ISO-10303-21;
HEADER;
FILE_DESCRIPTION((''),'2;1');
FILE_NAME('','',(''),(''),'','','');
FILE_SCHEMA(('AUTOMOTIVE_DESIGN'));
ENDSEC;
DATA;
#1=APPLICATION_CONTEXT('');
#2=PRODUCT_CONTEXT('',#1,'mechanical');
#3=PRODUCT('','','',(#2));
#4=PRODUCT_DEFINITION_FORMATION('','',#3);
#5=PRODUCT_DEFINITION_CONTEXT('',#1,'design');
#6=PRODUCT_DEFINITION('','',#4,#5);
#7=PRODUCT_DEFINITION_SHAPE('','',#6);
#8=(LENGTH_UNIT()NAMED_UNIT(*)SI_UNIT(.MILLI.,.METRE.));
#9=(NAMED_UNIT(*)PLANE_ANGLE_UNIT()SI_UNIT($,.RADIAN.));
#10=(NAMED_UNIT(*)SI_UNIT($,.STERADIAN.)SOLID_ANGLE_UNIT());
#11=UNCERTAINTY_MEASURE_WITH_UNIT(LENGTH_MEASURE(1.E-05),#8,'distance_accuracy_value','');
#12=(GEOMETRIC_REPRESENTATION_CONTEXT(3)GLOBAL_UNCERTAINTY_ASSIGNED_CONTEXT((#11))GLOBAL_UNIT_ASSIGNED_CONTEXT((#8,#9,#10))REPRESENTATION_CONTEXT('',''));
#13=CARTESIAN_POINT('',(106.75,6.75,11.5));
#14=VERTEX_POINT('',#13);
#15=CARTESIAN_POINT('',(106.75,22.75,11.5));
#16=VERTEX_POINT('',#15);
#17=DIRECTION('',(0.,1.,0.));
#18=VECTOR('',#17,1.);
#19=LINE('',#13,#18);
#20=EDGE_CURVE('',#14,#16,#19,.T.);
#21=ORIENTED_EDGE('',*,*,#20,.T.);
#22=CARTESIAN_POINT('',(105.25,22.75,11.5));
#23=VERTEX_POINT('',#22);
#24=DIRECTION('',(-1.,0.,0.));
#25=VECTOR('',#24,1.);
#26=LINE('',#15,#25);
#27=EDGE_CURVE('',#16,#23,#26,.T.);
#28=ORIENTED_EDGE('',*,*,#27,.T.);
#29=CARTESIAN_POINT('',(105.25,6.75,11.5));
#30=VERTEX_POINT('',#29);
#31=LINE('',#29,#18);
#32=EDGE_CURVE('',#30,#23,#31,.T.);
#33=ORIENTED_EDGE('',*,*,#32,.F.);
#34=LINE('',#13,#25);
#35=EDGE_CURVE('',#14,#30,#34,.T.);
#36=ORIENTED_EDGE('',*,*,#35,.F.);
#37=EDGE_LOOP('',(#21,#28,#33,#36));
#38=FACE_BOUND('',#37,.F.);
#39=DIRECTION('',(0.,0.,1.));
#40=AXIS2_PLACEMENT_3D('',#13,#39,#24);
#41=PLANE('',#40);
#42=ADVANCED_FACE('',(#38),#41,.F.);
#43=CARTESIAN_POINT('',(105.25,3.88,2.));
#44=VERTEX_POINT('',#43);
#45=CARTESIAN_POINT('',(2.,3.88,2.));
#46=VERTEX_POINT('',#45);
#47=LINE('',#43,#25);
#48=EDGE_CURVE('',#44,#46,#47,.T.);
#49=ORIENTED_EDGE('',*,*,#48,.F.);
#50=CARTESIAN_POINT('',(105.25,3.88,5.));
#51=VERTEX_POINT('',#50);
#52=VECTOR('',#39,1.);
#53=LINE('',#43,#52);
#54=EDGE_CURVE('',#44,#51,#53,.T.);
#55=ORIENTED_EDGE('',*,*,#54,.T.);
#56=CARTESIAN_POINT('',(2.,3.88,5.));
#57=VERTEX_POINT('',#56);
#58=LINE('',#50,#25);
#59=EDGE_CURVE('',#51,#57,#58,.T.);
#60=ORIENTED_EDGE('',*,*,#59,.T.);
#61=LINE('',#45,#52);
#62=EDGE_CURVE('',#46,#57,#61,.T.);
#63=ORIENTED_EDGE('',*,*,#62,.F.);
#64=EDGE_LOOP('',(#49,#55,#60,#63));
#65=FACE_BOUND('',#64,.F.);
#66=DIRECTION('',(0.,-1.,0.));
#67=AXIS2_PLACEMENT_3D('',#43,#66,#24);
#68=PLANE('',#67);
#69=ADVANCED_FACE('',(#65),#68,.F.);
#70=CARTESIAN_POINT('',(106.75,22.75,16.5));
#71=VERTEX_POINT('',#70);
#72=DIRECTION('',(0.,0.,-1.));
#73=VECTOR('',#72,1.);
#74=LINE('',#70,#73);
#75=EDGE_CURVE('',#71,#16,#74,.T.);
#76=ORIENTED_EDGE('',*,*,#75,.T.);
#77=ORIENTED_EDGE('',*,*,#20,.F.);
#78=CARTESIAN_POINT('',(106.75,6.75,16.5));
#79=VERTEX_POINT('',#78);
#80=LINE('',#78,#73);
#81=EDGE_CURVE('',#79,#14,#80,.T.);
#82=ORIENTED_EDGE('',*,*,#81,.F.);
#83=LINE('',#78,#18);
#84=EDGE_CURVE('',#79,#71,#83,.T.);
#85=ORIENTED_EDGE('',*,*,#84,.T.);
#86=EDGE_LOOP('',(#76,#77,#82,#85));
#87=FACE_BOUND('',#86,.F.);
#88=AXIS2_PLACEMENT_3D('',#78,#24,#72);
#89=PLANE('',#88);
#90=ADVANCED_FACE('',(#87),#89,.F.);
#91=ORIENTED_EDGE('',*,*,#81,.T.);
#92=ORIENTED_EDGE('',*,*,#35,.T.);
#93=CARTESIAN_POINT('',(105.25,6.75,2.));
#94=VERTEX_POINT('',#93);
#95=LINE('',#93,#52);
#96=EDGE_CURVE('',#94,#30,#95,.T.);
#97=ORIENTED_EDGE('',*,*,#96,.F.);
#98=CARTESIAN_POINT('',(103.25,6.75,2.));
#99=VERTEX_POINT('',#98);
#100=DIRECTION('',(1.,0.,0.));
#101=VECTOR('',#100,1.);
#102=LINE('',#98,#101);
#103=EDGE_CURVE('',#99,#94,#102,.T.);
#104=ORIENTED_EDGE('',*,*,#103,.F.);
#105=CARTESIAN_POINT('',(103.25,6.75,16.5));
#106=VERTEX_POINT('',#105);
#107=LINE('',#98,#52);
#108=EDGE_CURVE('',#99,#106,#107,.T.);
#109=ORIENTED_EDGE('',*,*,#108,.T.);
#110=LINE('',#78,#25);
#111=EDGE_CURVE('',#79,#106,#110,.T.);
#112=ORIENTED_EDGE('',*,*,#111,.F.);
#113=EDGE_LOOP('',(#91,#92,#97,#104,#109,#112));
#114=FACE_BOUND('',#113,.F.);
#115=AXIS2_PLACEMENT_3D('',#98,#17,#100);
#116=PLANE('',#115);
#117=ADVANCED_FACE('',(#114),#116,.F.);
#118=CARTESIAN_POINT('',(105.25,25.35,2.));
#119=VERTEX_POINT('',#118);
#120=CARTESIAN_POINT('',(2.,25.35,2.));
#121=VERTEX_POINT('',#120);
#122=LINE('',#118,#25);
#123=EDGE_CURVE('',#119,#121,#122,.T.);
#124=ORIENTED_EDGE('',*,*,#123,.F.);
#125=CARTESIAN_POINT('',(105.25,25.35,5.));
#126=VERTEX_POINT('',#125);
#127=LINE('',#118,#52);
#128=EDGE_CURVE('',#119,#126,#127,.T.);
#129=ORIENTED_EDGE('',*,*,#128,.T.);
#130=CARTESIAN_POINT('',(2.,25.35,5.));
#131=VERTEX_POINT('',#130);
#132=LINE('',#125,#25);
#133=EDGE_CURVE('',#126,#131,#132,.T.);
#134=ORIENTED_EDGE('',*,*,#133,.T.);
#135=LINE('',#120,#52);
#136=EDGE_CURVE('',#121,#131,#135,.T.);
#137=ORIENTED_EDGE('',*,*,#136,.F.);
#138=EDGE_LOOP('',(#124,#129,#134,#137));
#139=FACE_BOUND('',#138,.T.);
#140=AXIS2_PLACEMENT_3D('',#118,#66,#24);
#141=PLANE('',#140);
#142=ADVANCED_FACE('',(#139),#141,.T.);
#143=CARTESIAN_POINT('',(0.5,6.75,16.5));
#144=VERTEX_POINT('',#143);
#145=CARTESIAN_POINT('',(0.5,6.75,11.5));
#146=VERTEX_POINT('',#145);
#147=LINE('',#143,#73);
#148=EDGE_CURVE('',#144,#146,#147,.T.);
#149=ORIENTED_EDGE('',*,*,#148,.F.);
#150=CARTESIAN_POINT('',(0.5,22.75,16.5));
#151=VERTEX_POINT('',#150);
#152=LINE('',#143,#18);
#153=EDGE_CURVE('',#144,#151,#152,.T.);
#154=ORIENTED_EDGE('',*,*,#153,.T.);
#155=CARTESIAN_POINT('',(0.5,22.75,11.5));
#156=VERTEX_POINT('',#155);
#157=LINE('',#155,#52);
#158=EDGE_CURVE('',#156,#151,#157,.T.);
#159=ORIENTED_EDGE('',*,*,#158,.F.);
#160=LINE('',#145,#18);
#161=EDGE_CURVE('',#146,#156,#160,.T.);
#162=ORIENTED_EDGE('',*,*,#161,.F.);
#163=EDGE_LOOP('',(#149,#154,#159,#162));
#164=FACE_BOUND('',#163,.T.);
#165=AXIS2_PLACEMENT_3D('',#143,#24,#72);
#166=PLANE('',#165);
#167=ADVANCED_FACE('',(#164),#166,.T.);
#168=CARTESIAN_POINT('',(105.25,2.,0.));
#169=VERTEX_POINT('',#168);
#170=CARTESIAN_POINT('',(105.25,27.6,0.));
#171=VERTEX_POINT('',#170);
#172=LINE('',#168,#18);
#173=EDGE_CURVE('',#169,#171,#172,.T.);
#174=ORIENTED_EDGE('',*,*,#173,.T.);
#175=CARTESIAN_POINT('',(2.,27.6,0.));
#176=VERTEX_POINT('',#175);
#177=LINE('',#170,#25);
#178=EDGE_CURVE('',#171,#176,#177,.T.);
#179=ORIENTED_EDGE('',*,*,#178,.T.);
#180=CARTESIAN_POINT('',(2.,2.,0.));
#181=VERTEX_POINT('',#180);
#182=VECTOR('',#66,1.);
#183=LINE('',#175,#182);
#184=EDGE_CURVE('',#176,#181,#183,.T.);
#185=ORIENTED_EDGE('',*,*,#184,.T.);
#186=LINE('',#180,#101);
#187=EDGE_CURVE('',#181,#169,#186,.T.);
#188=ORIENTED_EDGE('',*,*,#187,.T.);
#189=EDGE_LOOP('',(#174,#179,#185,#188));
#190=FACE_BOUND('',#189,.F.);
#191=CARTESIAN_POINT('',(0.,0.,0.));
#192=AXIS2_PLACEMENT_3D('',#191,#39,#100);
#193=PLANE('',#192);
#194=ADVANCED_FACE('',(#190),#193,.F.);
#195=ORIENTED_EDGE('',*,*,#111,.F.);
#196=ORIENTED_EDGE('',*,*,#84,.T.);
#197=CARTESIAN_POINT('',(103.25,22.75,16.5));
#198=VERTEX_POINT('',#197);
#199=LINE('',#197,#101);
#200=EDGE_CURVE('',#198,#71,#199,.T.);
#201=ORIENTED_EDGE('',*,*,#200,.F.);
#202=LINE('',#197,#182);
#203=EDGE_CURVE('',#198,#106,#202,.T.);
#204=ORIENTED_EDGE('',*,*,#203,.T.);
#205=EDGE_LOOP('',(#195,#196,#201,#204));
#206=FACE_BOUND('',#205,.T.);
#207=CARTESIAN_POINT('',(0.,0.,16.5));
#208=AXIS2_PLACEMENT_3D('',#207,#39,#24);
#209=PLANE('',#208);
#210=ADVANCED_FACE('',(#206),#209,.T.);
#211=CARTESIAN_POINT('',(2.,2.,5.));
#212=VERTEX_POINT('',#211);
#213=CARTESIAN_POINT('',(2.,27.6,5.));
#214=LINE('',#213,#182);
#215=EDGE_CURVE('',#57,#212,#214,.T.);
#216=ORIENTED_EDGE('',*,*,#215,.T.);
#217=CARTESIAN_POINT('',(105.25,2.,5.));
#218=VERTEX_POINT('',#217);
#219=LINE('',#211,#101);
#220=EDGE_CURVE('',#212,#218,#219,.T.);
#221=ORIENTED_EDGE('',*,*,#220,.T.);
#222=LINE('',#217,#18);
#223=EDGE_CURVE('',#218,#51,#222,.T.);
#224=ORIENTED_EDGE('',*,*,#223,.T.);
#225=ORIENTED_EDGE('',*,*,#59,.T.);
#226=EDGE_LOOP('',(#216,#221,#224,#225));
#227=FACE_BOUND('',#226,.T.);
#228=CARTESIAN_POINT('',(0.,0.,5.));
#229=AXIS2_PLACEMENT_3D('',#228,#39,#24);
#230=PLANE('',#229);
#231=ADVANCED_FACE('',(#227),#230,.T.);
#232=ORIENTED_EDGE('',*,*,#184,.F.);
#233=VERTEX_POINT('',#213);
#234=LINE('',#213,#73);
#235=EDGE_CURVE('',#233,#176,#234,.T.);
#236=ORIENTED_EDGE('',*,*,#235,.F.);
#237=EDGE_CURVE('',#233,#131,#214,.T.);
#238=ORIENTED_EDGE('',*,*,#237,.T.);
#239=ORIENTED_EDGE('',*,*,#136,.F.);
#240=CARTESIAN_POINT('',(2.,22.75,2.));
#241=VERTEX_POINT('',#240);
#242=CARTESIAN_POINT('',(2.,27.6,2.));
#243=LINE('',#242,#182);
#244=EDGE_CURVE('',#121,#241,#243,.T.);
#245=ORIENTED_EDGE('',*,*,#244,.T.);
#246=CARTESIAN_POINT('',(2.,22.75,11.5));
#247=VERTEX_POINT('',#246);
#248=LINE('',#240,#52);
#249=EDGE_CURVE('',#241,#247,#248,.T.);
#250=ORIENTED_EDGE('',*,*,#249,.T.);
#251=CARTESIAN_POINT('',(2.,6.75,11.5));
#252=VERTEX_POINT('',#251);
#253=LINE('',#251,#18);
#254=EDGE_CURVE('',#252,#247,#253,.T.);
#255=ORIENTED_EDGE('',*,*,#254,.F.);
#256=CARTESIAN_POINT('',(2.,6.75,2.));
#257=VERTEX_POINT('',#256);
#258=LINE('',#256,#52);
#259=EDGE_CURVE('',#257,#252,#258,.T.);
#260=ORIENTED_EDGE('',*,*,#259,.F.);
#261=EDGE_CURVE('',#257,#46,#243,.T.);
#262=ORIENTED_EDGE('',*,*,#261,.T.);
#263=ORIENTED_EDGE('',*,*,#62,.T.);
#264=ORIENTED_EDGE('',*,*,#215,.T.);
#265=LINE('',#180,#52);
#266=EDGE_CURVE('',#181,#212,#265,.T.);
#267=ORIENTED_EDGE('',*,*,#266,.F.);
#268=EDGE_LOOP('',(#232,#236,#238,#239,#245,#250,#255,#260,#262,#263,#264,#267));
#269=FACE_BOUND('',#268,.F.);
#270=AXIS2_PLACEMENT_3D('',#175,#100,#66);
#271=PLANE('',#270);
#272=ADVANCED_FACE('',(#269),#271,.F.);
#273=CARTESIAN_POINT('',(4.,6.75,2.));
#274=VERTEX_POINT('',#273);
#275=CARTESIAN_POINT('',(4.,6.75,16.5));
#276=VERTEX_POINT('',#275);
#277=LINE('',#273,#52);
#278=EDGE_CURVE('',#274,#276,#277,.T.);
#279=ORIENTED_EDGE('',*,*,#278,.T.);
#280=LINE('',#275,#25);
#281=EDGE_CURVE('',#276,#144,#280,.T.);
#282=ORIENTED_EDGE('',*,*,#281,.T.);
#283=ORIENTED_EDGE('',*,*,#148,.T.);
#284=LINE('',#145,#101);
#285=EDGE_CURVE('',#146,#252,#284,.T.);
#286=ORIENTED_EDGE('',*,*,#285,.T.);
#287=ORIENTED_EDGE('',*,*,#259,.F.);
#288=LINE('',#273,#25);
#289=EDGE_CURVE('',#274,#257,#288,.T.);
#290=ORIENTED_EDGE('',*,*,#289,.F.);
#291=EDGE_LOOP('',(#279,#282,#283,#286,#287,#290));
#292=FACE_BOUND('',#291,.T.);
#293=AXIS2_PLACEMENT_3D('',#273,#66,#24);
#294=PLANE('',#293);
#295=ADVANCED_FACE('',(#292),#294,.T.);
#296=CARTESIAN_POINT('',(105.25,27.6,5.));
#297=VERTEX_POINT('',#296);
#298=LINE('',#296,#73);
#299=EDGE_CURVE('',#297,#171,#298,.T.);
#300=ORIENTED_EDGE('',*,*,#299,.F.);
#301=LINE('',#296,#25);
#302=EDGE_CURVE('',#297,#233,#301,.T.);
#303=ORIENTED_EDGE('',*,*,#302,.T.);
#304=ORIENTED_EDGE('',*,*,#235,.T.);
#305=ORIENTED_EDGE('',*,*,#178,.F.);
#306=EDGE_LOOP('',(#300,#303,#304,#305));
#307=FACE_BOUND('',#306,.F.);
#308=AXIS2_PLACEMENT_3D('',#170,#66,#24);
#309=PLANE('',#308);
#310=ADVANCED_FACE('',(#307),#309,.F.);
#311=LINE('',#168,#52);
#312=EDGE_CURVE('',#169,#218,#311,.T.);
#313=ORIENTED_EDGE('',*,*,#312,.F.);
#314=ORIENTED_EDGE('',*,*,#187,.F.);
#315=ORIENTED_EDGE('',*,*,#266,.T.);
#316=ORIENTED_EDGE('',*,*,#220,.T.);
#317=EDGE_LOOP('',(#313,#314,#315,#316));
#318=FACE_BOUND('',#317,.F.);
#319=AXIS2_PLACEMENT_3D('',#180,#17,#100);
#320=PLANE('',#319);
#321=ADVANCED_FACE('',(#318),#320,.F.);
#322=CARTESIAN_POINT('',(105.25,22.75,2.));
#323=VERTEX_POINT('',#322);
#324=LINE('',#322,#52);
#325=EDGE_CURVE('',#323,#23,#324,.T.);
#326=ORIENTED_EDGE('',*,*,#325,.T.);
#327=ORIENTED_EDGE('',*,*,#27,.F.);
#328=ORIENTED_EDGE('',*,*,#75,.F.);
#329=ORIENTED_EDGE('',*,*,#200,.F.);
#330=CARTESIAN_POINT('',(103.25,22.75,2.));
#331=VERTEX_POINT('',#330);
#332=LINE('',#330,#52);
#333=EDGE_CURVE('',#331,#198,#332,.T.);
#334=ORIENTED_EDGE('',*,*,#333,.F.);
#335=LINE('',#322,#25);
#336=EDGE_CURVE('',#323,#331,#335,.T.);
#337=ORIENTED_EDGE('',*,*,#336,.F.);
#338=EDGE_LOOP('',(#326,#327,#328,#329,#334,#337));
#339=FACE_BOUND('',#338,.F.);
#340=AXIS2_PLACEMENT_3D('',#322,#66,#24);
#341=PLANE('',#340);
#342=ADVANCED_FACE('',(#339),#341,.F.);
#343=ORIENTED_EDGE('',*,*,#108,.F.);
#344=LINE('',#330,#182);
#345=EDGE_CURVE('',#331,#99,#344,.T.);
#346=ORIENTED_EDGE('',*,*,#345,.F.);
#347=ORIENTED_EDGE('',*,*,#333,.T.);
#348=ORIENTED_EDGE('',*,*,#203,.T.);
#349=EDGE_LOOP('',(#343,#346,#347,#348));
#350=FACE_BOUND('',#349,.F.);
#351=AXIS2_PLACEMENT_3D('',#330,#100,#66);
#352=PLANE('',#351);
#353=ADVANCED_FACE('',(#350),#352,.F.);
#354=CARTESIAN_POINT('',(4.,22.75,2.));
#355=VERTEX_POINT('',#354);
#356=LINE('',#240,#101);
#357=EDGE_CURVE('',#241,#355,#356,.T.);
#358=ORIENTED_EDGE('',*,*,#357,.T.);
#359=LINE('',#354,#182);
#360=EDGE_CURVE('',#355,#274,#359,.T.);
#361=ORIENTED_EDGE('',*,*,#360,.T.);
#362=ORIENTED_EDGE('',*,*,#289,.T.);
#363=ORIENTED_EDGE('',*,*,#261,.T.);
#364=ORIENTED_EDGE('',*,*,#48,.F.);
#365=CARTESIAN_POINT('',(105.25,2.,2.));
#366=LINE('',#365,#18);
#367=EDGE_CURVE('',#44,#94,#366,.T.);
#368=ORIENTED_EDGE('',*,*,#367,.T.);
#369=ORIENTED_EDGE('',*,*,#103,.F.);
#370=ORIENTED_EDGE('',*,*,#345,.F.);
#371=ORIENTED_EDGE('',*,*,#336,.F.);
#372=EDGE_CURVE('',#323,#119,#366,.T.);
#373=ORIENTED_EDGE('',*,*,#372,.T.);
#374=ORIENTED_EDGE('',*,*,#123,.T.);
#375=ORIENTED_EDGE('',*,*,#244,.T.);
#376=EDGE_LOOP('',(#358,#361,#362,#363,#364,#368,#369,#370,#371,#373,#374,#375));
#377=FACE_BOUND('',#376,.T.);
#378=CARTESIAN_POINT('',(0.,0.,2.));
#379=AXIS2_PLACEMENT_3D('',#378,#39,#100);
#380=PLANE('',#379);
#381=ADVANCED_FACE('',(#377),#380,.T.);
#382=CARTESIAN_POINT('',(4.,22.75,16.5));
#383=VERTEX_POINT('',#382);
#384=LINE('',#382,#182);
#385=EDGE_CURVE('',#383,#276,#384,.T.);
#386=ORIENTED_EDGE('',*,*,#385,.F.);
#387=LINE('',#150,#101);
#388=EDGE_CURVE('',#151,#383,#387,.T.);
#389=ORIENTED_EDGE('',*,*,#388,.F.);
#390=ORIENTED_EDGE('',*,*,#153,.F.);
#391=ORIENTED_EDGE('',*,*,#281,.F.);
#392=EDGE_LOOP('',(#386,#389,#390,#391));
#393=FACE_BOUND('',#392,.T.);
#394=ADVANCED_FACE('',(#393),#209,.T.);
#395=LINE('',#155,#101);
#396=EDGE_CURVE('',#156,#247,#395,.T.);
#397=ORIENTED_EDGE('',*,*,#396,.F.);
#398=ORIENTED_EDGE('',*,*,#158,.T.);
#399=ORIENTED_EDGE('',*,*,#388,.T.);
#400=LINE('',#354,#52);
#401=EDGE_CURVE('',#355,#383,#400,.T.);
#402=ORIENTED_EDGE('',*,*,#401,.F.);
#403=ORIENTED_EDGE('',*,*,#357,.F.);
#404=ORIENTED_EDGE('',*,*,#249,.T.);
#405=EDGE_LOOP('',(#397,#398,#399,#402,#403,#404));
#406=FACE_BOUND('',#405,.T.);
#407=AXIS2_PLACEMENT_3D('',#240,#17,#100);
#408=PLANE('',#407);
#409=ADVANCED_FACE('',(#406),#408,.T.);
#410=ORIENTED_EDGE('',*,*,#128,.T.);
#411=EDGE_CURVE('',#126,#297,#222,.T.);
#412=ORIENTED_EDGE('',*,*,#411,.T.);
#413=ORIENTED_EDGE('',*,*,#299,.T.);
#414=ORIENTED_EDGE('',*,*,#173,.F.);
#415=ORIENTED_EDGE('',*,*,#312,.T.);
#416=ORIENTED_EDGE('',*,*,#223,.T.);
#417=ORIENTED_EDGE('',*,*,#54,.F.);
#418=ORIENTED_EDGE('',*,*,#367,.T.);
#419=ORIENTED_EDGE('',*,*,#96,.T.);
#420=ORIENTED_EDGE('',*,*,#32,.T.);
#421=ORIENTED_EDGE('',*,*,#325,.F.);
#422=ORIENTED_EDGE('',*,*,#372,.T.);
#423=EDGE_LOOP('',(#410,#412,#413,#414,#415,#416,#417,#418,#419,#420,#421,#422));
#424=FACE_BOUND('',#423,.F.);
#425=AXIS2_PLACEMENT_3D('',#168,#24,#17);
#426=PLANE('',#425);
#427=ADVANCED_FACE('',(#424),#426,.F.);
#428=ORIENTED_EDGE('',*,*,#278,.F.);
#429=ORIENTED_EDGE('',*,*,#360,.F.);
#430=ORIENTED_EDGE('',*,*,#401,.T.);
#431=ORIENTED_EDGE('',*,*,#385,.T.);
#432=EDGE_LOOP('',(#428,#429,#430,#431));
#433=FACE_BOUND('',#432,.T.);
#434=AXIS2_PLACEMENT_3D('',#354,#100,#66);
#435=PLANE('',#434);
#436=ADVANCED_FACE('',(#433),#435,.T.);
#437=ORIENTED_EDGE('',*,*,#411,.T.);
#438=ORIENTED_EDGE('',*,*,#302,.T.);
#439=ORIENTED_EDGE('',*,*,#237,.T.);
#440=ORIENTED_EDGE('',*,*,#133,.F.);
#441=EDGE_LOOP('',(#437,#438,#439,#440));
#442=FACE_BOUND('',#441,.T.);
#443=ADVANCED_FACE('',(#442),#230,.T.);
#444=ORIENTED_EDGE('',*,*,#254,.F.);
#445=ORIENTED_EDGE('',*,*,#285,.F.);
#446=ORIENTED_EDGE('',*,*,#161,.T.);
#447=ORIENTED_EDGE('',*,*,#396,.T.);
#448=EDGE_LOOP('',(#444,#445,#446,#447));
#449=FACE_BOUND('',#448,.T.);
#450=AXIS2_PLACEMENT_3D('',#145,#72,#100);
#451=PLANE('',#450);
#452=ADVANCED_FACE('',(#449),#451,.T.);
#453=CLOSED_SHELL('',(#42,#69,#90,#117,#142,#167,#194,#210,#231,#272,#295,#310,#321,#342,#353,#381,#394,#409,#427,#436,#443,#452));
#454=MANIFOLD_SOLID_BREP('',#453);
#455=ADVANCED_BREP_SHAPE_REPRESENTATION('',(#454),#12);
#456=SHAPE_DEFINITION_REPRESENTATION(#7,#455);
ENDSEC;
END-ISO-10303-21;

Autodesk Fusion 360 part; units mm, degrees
sketch "Base" plane through (0, 0, 0) normal (0, 0, 1) x (1, 0, 0)
  line L0 (2, 2) -> (105.25, 2)
  line L1 (105.25, 2) -> (105.25, 27.6)
  line L2 (105.25, 27.6) -> (2, 27.6)
  line L3 (2, 27.6) -> (2, 2)
  dimension "d1" = 25.6
  dimension "d2" = 103.25
extrude "Extrude1" add sketch "Base" along normal blind 2
sketch "Rail" plane through (0, 0, 2) normal (0, 0, 1) x (-1, 0, 0)
  line L0 (-2, -27.6) -> (-2, -2)
  line L1 (-2, -2) -> (-105.25, -2)
  line L2 (-105.25, -2) -> (-105.25, -27.6)
  line L3 (-105.25, -27.6) -> (-2, -27.6)
  line L4 (-2, -27.6) -> (-105.25, -27.6)
  line L5 (-105.25, -27.6) -> (-105.25, -25.35)
  line L6 (-105.25, -25.35) -> (-2, -25.35)
  line L7 (-2, -25.35) -> (-2, -27.6)
  line L8 (-2, -2) -> (-105.25, -2)
  line L9 (-105.25, -2) -> (-105.25, -3.88)
  line L10 (-105.25, -3.88) -> (-2, -3.88)
  line L11 (-2, -3.88) -> (-2, -2)
  dimension "d5" = 2.25
  dimension "d6" = 1.88
extrude "Extrude2" add sketch "Rail" along normal blind 3 contours L0 L2 L3 L4 L5 L6 L7 | L0 L1 L2 L8 L9 L10 L11
sketch "Hook (1.5mm -> 2mm)" plane through (0, 0, 2) normal (0, 0, 1) x (-1, 0, 0)
  line L0 (-2, -3.88) -> (-105.25, -3.88)
  line L1 (-105.25, -3.88) -> (-105.25, -25.35)
  line L2 (-105.25, -25.35) -> (-2, -25.35)
  line L3 (-2, -25.35) -> (-2, -3.88)
  line L4 (-2, -22.75) -> (-4, -22.75)
  line L5 (-4, -22.75) -> (-4, -6.75)
  line L6 (-4, -6.75) -> (-2, -6.75)
  line L7 (-2, -6.75) -> (-2, -22.75)
  line L8 (-105.25, -22.75) -> (-103.25, -22.75)
  line L9 (-103.25, -22.75) -> (-103.25, -6.75)
  line L10 (-103.25, -6.75) -> (-105.25, -6.75)
  line L11 (-105.25, -6.75) -> (-105.25, -22.75)
  dimension "d9" = 2.6
  dimension "d10" = 16
  dimension "d11" = 3.07
  dimension "d12" = 2
  dimension "d13" = 2
  dimension "d14" = 16
  dimension "d15" = 2.6
  dimension "d16" = 2.87
extrude "Extrude3" add sketch "Hook (1.5mm -> 2mm)" along normal blind 14.5 contours L3 L4 L5 L6 L7 | L1 L8 L9 L10 L11
sketch "Hook Left" plane through (0, 6.75, 0) normal (0, -1, 0) x (1, 0, 0)
  line L0 (2, 2) -> (4, 2)
  line L1 (4, 2) -> (4, 16.5)
  line L2 (4, 16.5) -> (2, 16.5)
  line L3 (2, 16.5) -> (2, 2)
  line L4 (4, 16.5) -> (0.5, 16.5)
  line L5 (0.5, 16.5) -> (0.5, 11.5)
  line L6 (0.5, 11.5) -> (4, 11.5)
  line L7 (4, 11.5) -> (4, 16.5)
  dimension "d19" = 3.5
  dimension "d20" = 5
sketch "Hook Right" plane through (0, 6.75, 0) normal (0, -1, 0) x (1, 0, 0)
  line L0 (103.25, 2) -> (105.25, 2)
  line L1 (105.25, 2) -> (105.25, 16.5)
  line L2 (105.25, 16.5) -> (103.25, 16.5)
  line L3 (103.25, 16.5) -> (103.25, 2)
  line L4 (103.25, 16.5) -> (106.75, 16.5)
  line L5 (106.75, 16.5) -> (106.75, 11.5)
  line L6 (106.75, 11.5) -> (103.25, 11.5)
  line L7 (103.25, 11.5) -> (103.25, 16.5)
  dimension "d21" = 5
  dimension "d22" = 3.5
extrude "Extrude5" add sketch "Hook Left" sketch "Hook Right" against normal blind 16 contours L3 L4 L5 L6 of sketch 2 contours L1 L4 L5 L6
chamfer "Chamfer1" distance 4 distance2 1.5 1 edges at (0.5, 14.75, 16.5) measured on face at (0.5, 12.0833, 14.8333)
chamfer "Chamfer2" distance 1.5 distance2 4 1 edges at (106.75, 14.75, 16.5) measured on face at (104.4167, 12.0833, 16.5)
extrude "Extrude4" add sketch "Hook Left" sketch "Hook Right" against normal blind 16 contours L3 L4 L5 L6 of sketch 2 contours L1 L4 L5 L6
equation "d19 = 1.5 mm + 2 mm"
equation "d22 = 2 mm + 1.5 mm"
